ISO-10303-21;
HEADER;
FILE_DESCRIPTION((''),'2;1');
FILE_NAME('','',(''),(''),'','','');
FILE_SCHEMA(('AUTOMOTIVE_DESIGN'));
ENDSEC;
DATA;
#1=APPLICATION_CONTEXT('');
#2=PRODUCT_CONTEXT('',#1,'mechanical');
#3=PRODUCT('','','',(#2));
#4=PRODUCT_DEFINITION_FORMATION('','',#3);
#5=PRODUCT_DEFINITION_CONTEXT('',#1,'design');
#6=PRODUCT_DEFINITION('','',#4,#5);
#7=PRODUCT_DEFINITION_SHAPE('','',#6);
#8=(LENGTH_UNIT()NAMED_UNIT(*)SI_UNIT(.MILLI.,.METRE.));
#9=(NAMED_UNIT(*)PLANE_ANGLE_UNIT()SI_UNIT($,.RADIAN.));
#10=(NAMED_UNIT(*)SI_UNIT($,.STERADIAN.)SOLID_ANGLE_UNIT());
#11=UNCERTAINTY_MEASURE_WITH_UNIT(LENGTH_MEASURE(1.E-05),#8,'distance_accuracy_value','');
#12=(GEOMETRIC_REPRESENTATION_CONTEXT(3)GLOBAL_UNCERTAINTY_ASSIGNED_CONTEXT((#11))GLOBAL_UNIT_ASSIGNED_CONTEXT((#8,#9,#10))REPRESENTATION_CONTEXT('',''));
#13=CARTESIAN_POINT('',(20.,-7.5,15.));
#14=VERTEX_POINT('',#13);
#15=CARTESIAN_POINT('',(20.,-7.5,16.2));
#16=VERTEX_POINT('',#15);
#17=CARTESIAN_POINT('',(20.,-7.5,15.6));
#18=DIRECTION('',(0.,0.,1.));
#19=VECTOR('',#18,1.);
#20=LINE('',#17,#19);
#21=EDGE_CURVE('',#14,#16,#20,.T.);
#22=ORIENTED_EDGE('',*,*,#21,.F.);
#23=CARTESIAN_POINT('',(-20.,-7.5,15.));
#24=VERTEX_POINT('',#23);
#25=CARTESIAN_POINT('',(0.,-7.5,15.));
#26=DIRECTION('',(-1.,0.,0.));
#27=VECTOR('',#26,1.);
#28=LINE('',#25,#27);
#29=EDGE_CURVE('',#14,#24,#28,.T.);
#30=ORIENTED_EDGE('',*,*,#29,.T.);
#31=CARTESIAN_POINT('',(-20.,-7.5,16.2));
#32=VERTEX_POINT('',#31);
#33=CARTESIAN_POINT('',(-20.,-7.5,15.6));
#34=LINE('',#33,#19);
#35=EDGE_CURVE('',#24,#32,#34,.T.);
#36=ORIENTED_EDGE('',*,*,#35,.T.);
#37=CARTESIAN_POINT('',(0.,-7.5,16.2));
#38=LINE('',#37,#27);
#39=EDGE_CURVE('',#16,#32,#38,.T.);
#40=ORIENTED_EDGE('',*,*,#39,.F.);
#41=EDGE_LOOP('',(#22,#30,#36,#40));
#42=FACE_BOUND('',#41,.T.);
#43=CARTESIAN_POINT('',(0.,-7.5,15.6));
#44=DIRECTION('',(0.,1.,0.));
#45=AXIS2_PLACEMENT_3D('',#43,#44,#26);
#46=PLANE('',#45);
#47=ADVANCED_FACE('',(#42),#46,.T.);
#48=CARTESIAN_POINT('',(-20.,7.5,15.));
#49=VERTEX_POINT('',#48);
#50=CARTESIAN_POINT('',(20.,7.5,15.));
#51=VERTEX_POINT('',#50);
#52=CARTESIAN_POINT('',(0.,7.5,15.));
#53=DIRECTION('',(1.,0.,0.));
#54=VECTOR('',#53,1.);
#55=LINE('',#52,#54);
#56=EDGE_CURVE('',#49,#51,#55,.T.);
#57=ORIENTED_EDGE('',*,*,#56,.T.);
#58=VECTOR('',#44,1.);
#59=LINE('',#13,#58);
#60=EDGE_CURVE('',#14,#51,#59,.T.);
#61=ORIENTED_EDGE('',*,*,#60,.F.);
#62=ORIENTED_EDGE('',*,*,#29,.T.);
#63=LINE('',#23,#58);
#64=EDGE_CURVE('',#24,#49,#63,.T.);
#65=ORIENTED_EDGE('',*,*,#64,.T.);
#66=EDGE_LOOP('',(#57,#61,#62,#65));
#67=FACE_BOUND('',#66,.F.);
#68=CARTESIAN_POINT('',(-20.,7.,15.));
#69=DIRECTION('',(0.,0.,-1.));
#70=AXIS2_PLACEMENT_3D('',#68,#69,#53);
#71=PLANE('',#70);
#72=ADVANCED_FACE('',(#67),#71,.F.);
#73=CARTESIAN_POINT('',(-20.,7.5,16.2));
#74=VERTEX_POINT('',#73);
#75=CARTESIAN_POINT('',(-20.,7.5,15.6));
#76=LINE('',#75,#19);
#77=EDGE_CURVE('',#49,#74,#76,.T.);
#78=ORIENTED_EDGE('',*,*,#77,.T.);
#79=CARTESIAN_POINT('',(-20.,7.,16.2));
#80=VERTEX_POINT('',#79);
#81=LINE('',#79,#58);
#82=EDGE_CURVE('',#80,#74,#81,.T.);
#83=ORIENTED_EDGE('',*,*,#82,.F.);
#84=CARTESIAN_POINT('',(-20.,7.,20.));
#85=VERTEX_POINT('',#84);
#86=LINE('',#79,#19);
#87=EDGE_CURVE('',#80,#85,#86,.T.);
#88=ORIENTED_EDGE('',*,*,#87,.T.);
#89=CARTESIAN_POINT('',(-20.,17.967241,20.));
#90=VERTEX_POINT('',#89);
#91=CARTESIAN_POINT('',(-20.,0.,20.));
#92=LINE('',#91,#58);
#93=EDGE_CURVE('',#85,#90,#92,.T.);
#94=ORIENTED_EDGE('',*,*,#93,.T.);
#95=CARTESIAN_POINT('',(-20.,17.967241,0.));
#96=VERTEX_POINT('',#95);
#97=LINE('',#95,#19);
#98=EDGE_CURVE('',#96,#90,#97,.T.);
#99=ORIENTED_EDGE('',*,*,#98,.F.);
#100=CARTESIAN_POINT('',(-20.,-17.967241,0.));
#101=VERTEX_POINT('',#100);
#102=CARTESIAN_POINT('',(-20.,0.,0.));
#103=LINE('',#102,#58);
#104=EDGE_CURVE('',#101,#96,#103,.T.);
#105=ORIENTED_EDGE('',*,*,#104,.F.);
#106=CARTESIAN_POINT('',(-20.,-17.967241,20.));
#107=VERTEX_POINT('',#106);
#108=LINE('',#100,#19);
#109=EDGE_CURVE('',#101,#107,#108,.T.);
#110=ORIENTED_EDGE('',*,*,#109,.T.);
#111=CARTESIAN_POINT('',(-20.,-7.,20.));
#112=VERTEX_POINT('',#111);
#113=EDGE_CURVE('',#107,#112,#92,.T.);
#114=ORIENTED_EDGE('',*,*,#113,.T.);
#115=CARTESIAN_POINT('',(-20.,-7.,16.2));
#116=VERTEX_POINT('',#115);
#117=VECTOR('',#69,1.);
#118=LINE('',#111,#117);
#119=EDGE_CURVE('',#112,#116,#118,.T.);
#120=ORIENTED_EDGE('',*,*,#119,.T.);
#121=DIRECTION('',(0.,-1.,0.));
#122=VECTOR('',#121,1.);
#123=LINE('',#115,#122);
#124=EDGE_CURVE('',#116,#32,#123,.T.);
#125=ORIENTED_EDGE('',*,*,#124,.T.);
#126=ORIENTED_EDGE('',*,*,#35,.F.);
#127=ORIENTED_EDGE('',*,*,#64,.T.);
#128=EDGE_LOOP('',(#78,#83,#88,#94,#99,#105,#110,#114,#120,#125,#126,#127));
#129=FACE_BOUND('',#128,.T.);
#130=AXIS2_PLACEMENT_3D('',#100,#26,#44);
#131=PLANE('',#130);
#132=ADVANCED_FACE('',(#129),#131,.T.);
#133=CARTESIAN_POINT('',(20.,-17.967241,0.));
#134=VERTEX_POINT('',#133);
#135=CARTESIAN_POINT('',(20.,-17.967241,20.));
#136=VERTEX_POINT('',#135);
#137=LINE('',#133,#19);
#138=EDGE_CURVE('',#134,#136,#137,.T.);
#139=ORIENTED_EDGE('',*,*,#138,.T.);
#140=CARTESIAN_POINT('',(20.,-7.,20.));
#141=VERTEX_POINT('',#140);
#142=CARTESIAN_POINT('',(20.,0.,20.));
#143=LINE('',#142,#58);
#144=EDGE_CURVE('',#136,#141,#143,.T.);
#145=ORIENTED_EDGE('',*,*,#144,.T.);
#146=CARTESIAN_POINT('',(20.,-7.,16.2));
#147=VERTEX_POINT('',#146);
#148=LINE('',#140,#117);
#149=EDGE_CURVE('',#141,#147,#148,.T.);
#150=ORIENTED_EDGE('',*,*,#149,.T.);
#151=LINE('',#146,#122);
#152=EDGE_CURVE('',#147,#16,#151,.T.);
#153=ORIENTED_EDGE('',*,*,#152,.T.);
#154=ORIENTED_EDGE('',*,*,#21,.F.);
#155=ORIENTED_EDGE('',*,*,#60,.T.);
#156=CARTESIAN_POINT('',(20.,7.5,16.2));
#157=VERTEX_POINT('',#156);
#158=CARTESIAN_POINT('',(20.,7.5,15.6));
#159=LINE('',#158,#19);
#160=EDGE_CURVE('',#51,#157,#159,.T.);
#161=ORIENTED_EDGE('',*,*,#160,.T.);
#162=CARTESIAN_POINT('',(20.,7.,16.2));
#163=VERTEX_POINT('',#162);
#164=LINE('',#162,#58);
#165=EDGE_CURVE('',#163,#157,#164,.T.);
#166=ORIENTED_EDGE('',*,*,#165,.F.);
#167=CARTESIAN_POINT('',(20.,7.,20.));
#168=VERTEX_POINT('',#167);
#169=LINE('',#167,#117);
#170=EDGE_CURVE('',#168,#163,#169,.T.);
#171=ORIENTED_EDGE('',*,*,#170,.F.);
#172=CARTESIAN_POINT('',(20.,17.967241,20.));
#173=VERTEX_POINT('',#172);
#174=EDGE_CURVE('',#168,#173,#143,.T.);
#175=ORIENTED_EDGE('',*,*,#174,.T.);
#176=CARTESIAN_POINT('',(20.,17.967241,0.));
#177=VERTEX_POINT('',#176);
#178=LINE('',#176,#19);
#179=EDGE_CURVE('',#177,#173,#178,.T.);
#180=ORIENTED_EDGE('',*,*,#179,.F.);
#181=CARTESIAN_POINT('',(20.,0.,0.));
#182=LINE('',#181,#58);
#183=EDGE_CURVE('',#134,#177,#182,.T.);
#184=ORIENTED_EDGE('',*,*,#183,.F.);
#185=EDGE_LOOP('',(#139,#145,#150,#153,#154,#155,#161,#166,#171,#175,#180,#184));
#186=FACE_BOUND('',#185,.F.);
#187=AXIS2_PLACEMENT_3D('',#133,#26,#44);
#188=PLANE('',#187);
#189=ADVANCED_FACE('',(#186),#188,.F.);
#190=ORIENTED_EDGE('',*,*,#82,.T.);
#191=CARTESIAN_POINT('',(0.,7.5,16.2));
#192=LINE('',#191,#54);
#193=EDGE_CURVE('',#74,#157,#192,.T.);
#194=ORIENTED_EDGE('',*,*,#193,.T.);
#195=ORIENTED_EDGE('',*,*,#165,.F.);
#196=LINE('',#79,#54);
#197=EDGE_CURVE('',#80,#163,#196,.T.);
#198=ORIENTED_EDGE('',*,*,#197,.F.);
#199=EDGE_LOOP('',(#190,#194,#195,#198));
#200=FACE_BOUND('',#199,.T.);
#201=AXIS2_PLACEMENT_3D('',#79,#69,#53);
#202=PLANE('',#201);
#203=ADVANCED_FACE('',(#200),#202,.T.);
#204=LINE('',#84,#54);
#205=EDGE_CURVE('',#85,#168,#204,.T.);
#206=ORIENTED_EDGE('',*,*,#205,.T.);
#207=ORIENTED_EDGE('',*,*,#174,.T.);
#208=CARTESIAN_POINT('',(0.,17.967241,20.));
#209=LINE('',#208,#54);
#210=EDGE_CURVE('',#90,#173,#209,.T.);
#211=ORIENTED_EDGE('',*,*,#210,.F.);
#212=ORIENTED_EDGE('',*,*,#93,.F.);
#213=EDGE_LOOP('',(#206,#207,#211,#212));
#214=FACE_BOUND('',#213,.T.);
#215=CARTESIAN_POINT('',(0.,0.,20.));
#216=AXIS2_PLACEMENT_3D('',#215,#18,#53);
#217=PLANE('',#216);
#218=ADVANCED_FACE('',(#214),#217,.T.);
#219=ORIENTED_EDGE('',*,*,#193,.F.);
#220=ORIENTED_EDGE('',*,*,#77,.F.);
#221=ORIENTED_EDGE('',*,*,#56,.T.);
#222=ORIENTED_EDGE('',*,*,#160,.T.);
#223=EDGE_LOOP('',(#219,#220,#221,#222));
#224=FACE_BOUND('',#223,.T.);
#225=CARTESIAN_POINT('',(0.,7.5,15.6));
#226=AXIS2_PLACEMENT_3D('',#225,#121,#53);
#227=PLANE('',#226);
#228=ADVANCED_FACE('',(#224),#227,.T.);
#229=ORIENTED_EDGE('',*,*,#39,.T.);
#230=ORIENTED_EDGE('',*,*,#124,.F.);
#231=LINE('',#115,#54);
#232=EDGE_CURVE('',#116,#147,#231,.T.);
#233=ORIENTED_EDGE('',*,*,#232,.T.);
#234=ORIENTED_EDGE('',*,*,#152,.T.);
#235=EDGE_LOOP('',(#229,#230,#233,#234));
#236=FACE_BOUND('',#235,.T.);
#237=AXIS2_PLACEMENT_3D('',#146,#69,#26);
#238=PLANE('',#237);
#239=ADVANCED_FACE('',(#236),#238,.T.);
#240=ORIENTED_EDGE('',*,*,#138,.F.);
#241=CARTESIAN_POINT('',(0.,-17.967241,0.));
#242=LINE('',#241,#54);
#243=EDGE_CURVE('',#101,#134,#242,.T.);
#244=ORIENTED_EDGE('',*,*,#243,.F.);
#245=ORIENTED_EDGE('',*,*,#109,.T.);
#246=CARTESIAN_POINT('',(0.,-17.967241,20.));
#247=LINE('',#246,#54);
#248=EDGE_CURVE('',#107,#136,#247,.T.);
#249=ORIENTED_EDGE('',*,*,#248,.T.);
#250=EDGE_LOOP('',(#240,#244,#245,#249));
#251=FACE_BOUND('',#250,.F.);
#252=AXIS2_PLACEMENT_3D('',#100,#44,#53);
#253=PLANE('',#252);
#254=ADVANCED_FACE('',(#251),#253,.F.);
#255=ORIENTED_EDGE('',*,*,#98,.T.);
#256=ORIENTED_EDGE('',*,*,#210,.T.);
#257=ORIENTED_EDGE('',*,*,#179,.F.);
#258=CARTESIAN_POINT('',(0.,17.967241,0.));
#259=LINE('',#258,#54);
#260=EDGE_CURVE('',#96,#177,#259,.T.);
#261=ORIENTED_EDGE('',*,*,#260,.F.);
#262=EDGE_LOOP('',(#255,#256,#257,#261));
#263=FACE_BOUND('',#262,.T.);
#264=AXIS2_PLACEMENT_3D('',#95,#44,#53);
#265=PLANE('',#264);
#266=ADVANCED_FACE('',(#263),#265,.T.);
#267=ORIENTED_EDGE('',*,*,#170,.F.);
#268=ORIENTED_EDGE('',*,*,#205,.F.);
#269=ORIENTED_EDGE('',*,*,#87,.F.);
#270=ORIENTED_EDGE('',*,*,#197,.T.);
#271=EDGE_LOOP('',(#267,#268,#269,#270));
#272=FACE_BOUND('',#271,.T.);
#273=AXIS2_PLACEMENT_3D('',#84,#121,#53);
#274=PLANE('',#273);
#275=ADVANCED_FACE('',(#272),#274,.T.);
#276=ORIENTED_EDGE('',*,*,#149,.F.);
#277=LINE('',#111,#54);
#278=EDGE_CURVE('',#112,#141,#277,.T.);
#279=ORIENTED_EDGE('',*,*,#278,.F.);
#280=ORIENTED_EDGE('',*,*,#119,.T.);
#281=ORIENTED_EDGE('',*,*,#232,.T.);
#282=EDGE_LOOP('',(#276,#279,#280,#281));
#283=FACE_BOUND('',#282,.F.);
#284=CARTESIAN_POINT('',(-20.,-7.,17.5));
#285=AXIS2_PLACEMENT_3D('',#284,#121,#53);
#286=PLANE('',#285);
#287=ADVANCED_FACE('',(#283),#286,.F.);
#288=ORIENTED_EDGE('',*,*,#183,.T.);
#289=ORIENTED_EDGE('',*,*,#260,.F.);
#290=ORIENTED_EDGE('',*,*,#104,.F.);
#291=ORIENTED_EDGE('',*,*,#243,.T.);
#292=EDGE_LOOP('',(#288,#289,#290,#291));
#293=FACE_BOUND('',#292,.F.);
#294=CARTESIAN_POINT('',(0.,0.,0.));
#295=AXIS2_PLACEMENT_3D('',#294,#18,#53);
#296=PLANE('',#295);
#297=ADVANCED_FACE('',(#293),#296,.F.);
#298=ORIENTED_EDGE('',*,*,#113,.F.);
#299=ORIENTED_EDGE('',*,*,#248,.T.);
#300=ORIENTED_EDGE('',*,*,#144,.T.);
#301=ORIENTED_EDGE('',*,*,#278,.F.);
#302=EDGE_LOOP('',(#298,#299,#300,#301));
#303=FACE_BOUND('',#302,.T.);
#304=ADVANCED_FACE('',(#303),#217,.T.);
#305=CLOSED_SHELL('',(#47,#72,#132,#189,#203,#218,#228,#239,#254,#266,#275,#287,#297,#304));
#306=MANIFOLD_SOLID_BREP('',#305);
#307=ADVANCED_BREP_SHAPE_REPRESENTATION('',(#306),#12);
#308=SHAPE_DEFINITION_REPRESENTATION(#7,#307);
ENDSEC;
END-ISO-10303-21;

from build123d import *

# Parameters (mm, degrees)
F0_W      = 40
F0_H      = 35.9344822692
F1_DEPTH  = 20
F2_W      = 28
F2_H      = 14
F3_DEPTH  = 5
F4_W      = 14
F4_H      = 1.12
F5_DEPTH  = 3
F6_W      = 3
F6_H      = 1
F7_DEPTH  = 0.5
F8_W      = 12
F8_H      = 14
F9_DEPTH  = 2.5
F10_DEPTH = 25
F11_W     = 9.0484669507
F11_H     = 1.2658234112
F11_H_2   = 5.2294719476
F12_DEPTH = 2.5
F13_W     = 40
F13_H     = 1.2
F14_DEPTH = 0.5
F15_W     = 40
F15_H     = 1.2
F16_DEPTH = 0.5
F17_DEPTH = 2.5


with BuildPart() as f1:
    # F0 (on Top) → F1 (new body)
    with BuildSketch(Plane.XY):
        Rectangle(F0_W, F0_H)
    extrude(amount=F1_DEPTH)

    # F2 (on face) → F3 (cut)
    with BuildSketch(Plane.XY.offset(20)):
        with Locations((6, 0)):
            Rectangle(F2_W, F2_H)
    extrude(amount=-F3_DEPTH, mode=Mode.SUBTRACT)

    # F4 (on face) → F5 (cut)
    with BuildSketch(Plane.YZ.offset(-8)):
        with Locations((0, 15.56)):
            Rectangle(F4_W, F4_H)
    extrude(amount=-F5_DEPTH, mode=Mode.SUBTRACT)

    # F6 (on face) → F7 (cut)
    with BuildSketch(Plane(origin=(0, 0, 16.12), x_dir=(1, 0, 0), z_dir=(0, 0, -1))):
        with Locations((-9.5, -3.5)):
            Rectangle(F6_W, F6_H)
        with Locations((-9.5, -2.25)):
            Rectangle(F6_W, F6_H)
        with Locations((-9.5, -1)):
            Rectangle(F6_W, F6_H)
        with Locations((-9.5, 0.25)):
            Rectangle(F6_W, F6_H)
    extrude(amount=-F7_DEPTH, mode=Mode.SUBTRACT)

    # F8 (on face) → F9 (cut)
    with BuildSketch(Plane.XY.offset(20)):
        with Locations((-14, 0)):
            Rectangle(F8_W, F8_H)
    extrude(amount=-F9_DEPTH, mode=Mode.SUBTRACT)

    # F10 (cut): a face of the model
    f10_faces = [f1.faces().sort_by_distance(p)[0] for p in [
        (-11, 0.1838235294, 15.6516289593),
    ]]
    extrude(f10_faces, amount=-F10_DEPTH, mode=Mode.SUBTRACT)

    # F11 (on face) → F12 (cut, through all)
    with BuildSketch(Plane.XY.offset(17.5)):
        with Locations((-12.5242334753, 6.3670882944)):
            Rectangle(F11_W, F11_H)
        with Locations((-12.5242334753, -4.3852640262)):
            Rectangle(F11_W, F11_H_2)
    extrude(amount=-F12_DEPTH, mode=Mode.SUBTRACT)

    # F13 (on face) → F14 (cut)
    with BuildSketch(Plane(origin=(0, -7, 0), x_dir=(-1, 0, 0), z_dir=(0, 1, 0))):
        with Locations((0, 15.6)):
            Rectangle(F13_W, F13_H)
    extrude(amount=-F14_DEPTH, mode=Mode.SUBTRACT)

    # F15 (on face) → F16 (cut)
    with BuildSketch(Plane.XZ.offset(-7)):
        with Locations((0, 15.6)):
            Rectangle(F15_W, F15_H)
    extrude(amount=-F16_DEPTH, mode=Mode.SUBTRACT)

    # F17 (cut, through all): a face of the model
    f17_faces = [f1.faces().sort_by_distance(p)[0] for p in [
        (-14.7940711772, 1.2320876945, 17.5),
    ]]
    extrude(f17_faces, amount=-F17_DEPTH, mode=Mode.SUBTRACT)


solid = f1.part
